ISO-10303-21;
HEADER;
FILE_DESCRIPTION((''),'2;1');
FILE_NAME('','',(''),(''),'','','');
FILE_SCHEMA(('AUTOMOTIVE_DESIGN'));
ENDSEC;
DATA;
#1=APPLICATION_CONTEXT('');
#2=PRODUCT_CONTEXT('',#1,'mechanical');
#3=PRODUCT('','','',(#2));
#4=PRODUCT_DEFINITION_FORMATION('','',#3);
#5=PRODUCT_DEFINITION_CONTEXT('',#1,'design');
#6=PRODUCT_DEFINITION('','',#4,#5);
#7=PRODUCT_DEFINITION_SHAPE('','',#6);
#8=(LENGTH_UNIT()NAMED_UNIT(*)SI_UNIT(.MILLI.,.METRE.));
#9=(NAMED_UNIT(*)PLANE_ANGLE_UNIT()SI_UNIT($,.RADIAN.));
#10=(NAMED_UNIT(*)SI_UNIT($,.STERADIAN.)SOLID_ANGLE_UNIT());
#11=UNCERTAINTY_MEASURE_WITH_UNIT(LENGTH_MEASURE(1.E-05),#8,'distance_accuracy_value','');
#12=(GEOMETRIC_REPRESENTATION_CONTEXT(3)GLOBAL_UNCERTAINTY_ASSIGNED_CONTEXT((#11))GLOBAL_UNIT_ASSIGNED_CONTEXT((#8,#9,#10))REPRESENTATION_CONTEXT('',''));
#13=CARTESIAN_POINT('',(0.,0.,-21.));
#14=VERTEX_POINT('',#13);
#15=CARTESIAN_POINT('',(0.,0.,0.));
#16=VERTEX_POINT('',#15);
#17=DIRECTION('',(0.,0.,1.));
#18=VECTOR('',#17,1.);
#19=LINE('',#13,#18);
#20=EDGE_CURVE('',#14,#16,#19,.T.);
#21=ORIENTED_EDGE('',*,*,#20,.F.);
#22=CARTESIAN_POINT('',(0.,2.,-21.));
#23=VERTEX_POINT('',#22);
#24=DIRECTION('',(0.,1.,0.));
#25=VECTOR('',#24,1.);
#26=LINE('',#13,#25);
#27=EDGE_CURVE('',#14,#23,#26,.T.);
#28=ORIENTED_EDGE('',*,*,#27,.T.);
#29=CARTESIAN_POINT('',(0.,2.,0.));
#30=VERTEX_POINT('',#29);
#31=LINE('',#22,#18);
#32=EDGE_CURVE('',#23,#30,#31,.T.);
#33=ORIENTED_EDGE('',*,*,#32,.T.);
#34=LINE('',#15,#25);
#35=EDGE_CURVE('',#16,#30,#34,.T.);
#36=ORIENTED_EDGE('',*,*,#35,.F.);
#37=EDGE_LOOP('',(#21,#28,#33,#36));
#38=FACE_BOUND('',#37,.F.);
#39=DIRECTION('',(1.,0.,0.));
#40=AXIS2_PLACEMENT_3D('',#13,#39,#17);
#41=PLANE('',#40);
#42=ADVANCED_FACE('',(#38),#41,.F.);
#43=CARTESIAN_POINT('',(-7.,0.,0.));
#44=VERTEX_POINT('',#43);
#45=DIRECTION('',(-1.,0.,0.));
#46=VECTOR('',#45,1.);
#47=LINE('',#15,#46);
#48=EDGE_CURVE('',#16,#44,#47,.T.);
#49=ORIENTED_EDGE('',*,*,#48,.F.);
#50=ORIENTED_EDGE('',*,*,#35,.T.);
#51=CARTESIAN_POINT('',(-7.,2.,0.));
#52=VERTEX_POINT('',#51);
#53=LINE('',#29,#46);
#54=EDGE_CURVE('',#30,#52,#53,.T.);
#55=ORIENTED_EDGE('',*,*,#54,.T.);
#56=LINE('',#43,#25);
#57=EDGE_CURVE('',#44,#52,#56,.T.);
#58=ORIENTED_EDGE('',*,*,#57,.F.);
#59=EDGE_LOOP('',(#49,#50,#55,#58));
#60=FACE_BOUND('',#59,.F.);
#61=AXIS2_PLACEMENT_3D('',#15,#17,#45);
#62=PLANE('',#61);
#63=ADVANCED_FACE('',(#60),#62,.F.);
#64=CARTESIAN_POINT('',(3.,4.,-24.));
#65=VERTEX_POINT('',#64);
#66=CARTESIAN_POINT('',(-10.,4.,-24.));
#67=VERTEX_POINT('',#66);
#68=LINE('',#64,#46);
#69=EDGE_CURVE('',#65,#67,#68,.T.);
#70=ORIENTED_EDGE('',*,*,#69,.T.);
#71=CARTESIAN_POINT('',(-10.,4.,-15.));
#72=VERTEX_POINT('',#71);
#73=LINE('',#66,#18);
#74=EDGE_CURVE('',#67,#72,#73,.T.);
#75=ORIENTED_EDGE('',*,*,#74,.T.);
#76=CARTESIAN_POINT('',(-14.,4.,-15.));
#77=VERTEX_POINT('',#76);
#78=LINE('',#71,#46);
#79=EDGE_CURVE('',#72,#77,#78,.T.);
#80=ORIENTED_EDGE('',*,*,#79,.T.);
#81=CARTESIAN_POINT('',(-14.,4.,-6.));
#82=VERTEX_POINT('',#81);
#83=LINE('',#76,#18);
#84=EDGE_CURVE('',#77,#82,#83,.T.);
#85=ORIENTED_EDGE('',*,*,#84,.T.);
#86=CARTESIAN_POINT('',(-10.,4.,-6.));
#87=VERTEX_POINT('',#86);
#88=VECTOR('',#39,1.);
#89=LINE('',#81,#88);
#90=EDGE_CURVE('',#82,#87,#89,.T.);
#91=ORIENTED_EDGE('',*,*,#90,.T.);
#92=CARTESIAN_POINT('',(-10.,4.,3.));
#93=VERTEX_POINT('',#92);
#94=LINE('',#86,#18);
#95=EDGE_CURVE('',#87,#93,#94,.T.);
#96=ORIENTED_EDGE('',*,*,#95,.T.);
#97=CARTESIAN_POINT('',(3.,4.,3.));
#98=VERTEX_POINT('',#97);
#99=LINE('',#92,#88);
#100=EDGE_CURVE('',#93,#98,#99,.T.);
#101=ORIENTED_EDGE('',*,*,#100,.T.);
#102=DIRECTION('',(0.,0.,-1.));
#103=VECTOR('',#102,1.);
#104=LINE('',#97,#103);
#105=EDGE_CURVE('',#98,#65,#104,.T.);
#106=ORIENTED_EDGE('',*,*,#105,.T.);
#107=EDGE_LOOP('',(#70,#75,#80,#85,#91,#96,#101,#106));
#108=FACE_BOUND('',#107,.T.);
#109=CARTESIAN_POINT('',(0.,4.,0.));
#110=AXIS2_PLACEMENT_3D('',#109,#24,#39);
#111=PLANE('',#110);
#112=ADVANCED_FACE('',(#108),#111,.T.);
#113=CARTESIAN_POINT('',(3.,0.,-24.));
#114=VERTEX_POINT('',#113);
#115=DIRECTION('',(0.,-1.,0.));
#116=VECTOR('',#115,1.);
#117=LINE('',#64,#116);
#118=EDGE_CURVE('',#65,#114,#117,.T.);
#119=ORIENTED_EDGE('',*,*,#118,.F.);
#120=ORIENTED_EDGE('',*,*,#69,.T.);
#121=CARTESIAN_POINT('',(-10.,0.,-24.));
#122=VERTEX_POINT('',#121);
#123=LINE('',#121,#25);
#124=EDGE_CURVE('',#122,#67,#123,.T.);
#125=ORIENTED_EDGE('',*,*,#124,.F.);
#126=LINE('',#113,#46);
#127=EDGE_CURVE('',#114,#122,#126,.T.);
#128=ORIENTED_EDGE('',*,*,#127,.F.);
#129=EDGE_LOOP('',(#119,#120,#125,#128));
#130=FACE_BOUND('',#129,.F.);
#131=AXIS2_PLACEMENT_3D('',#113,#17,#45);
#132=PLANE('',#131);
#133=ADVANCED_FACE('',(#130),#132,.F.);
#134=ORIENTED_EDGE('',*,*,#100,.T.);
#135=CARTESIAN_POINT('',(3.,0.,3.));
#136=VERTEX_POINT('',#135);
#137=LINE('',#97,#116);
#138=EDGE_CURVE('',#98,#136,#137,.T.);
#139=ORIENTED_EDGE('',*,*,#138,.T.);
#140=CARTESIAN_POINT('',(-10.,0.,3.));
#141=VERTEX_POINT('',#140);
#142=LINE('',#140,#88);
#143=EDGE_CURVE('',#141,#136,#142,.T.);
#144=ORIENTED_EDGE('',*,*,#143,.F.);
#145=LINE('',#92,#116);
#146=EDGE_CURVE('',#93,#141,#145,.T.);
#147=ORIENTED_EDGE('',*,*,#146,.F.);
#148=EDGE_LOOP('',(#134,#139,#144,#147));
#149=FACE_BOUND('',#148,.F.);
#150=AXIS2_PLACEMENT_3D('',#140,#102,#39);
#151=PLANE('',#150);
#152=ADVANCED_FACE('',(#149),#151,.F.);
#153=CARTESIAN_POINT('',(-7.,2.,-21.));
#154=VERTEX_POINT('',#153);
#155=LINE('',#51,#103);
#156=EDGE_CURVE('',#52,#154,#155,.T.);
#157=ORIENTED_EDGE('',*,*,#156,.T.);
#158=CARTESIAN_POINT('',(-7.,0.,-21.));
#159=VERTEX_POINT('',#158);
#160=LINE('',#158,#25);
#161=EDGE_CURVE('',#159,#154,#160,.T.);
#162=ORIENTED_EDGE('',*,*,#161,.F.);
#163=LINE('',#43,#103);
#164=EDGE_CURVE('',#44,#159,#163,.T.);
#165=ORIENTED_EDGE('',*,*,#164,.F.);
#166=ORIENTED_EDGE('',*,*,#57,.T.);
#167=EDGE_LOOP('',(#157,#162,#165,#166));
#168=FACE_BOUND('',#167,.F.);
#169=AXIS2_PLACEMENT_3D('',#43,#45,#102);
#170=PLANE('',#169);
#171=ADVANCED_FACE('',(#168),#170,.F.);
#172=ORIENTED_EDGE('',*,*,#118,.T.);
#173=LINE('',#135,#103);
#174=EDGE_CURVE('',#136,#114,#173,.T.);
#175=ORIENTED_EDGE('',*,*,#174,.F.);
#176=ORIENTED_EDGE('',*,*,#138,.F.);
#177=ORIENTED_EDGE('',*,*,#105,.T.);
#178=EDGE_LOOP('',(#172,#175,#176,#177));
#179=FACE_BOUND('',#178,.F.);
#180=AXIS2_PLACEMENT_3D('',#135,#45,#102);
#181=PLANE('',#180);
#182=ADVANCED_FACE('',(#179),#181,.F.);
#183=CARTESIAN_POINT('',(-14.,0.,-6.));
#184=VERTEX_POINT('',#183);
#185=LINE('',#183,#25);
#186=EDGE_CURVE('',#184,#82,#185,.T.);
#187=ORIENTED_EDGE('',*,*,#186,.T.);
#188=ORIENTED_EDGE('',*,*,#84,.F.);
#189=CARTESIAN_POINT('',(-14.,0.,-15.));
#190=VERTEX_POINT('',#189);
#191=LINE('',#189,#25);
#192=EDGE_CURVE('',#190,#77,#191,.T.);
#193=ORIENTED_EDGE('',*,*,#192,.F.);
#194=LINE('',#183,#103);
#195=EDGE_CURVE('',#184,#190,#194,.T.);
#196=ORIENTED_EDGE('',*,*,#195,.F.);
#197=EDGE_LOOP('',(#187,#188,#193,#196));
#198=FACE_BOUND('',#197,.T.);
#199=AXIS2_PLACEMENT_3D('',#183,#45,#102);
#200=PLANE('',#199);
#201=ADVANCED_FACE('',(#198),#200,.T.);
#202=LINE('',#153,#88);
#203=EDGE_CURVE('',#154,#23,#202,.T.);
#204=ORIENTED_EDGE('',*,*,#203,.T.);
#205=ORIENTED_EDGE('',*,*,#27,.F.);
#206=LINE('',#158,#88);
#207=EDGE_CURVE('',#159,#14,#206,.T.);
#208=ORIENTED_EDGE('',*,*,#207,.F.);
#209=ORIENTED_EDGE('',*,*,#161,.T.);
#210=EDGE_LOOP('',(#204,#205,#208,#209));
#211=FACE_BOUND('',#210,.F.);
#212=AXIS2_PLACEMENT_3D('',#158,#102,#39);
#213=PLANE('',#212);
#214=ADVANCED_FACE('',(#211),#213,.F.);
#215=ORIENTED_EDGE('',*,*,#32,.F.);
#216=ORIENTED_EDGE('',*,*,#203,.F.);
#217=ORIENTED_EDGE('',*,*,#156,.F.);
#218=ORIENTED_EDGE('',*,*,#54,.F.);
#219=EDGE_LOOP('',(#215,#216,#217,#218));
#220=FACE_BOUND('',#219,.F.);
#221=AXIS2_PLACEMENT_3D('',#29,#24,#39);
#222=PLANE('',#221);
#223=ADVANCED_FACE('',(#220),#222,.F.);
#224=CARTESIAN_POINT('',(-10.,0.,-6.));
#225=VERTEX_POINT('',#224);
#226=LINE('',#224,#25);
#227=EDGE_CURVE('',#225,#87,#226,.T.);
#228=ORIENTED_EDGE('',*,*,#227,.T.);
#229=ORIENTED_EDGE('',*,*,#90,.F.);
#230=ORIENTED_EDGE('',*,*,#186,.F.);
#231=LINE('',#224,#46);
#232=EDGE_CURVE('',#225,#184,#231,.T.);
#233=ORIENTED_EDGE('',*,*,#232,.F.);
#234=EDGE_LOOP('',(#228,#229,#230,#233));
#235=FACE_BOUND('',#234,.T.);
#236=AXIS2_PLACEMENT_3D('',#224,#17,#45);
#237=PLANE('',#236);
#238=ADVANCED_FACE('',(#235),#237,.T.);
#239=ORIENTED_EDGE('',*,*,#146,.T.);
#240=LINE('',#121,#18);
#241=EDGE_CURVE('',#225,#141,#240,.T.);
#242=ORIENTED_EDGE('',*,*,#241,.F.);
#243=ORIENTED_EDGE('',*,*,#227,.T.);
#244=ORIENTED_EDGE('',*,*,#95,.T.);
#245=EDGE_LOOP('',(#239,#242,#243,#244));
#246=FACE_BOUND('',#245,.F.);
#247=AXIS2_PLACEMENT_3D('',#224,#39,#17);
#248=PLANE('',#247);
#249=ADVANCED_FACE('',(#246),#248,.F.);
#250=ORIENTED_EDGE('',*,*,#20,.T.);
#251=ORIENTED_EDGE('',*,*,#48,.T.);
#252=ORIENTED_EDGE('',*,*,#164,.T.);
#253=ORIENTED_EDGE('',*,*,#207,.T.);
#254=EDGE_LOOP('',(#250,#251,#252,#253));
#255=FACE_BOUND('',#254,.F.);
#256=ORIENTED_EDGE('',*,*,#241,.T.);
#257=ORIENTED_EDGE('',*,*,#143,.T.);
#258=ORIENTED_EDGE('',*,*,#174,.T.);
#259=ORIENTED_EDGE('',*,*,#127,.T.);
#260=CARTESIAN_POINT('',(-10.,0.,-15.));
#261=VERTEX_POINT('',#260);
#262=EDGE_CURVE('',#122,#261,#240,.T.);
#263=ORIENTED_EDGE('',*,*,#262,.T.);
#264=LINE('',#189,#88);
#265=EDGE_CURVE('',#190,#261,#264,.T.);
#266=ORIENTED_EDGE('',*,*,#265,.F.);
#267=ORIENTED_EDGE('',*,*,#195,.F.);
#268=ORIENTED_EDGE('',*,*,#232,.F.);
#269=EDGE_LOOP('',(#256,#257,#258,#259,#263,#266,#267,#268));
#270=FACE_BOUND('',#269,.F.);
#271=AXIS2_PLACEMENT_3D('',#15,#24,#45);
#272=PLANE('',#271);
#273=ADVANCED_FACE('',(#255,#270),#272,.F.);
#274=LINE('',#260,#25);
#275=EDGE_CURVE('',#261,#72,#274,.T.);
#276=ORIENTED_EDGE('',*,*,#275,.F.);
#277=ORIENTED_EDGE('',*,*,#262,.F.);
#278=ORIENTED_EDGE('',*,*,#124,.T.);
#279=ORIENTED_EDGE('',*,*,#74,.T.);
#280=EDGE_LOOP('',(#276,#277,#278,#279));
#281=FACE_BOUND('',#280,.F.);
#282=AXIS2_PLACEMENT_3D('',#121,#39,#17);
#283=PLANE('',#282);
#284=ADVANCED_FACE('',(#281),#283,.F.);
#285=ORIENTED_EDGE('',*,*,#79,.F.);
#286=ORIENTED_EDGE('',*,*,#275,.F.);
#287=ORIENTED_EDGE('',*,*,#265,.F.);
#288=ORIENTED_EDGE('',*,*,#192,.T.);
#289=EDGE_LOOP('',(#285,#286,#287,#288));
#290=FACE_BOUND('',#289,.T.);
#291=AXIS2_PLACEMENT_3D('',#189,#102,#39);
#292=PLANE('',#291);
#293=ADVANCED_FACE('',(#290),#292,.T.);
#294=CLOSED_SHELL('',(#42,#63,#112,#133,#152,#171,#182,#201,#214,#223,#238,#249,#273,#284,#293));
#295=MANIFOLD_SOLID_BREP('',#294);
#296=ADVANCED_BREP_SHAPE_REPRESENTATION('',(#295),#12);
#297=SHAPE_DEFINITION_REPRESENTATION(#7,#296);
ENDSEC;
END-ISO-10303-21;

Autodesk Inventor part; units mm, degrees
ref_plane "YZ Plane" through (0, 0, 0) normal (1, 0, 0) x (0, 1, 0)
ref_plane "XZ Plane" through (0, 0, 0) normal (0, 1, 0) x (-1, 0, 0)
ref_plane "XY Plane" through (0, 0, 0) normal (0, 0, 1) x (1, 0, 0)
sketch "Sketch3" plane through (0, 0, 0) normal (0, 1, 0) x (-1, 0, 0)
  line L0 (0, 0) -> (7, 0)
  line L1 (7, 0) -> (7, -21)
  line L2 (7, -21) -> (0, -21)
  line L3 (0, -21) -> (0, 0)
  line L4 (10, -24) -> (10, 3)
  line L5 (10, 3) -> (-3, 3)
  line L6 (-3, 3) -> (-3, -24)
  line L7 (-3, -24) -> (10, -24)
  line L8 (10, -10.5) -> (10, -6)
  line L9 (10, -6) -> (14, -6)
  line L10 (14, -6) -> (14, -15)
  line L11 (14, -15) -> (10, -15)
  dimension "d13" = 7
  dimension "d14" = 21
  dimension "d15" = 3
  dimension "d16" = 4.5
  dimension "d17" = 4
  dimension "d18" = 9
extrude "Extrusion3" add sketch "Sketch3" along normal blind 2
sketch "Sketch4" plane through (0, 2, 0) normal (0, 1, 0) x (1, 0, 0)
  line L0 (-7, 0) -> (-7, 21) projected
  line L1 (-7, 21) -> (0, 21) projected
  line L2 (0, 21) -> (0, 0) projected
  line L3 (0, 0) -> (-7, 0) projected
  line L4 (-10, 15) -> (-14, 15) projected
  line L5 (-14, 15) -> (-14, 6) projected
  line L6 (-14, 6) -> (-10, 6) projected
  line L7 (-10, 6) -> (-10, -3) projected
  line L8 (-10, -3) -> (3, -3) projected
  line L9 (3, -3) -> (3, 24) projected
  line L10 (3, 24) -> (-10, 24) projected
  line L11 (-10, 24) -> (-10, 15) projected
extrude "Extrusion4" add sketch "Sketch4" along normal blind 2 contours L0 L1 L2 L3 | L11 L10 L9 L8 L7 L6 L5 L4
equation "\"BendRadius\" = Thickness"
equation "\"BendReliefWidth\" = Thickness"
equation "\"BendReliefDepth\" = 0.5 * Thickness"
equation "\"CornerReliefSize\" = 4 * Thickness"
equation "\"MinimumRemnant\" = 2 * Thickness"
equation "\"TransitionRadius\" = BendRadius"
equation "\"JacobiRadiusSize\" = BendRadius"
equation "\"GapSize\" = Thickness"
equation "\"Thickness\" = 0.5"
properties part number "basebaquela"
